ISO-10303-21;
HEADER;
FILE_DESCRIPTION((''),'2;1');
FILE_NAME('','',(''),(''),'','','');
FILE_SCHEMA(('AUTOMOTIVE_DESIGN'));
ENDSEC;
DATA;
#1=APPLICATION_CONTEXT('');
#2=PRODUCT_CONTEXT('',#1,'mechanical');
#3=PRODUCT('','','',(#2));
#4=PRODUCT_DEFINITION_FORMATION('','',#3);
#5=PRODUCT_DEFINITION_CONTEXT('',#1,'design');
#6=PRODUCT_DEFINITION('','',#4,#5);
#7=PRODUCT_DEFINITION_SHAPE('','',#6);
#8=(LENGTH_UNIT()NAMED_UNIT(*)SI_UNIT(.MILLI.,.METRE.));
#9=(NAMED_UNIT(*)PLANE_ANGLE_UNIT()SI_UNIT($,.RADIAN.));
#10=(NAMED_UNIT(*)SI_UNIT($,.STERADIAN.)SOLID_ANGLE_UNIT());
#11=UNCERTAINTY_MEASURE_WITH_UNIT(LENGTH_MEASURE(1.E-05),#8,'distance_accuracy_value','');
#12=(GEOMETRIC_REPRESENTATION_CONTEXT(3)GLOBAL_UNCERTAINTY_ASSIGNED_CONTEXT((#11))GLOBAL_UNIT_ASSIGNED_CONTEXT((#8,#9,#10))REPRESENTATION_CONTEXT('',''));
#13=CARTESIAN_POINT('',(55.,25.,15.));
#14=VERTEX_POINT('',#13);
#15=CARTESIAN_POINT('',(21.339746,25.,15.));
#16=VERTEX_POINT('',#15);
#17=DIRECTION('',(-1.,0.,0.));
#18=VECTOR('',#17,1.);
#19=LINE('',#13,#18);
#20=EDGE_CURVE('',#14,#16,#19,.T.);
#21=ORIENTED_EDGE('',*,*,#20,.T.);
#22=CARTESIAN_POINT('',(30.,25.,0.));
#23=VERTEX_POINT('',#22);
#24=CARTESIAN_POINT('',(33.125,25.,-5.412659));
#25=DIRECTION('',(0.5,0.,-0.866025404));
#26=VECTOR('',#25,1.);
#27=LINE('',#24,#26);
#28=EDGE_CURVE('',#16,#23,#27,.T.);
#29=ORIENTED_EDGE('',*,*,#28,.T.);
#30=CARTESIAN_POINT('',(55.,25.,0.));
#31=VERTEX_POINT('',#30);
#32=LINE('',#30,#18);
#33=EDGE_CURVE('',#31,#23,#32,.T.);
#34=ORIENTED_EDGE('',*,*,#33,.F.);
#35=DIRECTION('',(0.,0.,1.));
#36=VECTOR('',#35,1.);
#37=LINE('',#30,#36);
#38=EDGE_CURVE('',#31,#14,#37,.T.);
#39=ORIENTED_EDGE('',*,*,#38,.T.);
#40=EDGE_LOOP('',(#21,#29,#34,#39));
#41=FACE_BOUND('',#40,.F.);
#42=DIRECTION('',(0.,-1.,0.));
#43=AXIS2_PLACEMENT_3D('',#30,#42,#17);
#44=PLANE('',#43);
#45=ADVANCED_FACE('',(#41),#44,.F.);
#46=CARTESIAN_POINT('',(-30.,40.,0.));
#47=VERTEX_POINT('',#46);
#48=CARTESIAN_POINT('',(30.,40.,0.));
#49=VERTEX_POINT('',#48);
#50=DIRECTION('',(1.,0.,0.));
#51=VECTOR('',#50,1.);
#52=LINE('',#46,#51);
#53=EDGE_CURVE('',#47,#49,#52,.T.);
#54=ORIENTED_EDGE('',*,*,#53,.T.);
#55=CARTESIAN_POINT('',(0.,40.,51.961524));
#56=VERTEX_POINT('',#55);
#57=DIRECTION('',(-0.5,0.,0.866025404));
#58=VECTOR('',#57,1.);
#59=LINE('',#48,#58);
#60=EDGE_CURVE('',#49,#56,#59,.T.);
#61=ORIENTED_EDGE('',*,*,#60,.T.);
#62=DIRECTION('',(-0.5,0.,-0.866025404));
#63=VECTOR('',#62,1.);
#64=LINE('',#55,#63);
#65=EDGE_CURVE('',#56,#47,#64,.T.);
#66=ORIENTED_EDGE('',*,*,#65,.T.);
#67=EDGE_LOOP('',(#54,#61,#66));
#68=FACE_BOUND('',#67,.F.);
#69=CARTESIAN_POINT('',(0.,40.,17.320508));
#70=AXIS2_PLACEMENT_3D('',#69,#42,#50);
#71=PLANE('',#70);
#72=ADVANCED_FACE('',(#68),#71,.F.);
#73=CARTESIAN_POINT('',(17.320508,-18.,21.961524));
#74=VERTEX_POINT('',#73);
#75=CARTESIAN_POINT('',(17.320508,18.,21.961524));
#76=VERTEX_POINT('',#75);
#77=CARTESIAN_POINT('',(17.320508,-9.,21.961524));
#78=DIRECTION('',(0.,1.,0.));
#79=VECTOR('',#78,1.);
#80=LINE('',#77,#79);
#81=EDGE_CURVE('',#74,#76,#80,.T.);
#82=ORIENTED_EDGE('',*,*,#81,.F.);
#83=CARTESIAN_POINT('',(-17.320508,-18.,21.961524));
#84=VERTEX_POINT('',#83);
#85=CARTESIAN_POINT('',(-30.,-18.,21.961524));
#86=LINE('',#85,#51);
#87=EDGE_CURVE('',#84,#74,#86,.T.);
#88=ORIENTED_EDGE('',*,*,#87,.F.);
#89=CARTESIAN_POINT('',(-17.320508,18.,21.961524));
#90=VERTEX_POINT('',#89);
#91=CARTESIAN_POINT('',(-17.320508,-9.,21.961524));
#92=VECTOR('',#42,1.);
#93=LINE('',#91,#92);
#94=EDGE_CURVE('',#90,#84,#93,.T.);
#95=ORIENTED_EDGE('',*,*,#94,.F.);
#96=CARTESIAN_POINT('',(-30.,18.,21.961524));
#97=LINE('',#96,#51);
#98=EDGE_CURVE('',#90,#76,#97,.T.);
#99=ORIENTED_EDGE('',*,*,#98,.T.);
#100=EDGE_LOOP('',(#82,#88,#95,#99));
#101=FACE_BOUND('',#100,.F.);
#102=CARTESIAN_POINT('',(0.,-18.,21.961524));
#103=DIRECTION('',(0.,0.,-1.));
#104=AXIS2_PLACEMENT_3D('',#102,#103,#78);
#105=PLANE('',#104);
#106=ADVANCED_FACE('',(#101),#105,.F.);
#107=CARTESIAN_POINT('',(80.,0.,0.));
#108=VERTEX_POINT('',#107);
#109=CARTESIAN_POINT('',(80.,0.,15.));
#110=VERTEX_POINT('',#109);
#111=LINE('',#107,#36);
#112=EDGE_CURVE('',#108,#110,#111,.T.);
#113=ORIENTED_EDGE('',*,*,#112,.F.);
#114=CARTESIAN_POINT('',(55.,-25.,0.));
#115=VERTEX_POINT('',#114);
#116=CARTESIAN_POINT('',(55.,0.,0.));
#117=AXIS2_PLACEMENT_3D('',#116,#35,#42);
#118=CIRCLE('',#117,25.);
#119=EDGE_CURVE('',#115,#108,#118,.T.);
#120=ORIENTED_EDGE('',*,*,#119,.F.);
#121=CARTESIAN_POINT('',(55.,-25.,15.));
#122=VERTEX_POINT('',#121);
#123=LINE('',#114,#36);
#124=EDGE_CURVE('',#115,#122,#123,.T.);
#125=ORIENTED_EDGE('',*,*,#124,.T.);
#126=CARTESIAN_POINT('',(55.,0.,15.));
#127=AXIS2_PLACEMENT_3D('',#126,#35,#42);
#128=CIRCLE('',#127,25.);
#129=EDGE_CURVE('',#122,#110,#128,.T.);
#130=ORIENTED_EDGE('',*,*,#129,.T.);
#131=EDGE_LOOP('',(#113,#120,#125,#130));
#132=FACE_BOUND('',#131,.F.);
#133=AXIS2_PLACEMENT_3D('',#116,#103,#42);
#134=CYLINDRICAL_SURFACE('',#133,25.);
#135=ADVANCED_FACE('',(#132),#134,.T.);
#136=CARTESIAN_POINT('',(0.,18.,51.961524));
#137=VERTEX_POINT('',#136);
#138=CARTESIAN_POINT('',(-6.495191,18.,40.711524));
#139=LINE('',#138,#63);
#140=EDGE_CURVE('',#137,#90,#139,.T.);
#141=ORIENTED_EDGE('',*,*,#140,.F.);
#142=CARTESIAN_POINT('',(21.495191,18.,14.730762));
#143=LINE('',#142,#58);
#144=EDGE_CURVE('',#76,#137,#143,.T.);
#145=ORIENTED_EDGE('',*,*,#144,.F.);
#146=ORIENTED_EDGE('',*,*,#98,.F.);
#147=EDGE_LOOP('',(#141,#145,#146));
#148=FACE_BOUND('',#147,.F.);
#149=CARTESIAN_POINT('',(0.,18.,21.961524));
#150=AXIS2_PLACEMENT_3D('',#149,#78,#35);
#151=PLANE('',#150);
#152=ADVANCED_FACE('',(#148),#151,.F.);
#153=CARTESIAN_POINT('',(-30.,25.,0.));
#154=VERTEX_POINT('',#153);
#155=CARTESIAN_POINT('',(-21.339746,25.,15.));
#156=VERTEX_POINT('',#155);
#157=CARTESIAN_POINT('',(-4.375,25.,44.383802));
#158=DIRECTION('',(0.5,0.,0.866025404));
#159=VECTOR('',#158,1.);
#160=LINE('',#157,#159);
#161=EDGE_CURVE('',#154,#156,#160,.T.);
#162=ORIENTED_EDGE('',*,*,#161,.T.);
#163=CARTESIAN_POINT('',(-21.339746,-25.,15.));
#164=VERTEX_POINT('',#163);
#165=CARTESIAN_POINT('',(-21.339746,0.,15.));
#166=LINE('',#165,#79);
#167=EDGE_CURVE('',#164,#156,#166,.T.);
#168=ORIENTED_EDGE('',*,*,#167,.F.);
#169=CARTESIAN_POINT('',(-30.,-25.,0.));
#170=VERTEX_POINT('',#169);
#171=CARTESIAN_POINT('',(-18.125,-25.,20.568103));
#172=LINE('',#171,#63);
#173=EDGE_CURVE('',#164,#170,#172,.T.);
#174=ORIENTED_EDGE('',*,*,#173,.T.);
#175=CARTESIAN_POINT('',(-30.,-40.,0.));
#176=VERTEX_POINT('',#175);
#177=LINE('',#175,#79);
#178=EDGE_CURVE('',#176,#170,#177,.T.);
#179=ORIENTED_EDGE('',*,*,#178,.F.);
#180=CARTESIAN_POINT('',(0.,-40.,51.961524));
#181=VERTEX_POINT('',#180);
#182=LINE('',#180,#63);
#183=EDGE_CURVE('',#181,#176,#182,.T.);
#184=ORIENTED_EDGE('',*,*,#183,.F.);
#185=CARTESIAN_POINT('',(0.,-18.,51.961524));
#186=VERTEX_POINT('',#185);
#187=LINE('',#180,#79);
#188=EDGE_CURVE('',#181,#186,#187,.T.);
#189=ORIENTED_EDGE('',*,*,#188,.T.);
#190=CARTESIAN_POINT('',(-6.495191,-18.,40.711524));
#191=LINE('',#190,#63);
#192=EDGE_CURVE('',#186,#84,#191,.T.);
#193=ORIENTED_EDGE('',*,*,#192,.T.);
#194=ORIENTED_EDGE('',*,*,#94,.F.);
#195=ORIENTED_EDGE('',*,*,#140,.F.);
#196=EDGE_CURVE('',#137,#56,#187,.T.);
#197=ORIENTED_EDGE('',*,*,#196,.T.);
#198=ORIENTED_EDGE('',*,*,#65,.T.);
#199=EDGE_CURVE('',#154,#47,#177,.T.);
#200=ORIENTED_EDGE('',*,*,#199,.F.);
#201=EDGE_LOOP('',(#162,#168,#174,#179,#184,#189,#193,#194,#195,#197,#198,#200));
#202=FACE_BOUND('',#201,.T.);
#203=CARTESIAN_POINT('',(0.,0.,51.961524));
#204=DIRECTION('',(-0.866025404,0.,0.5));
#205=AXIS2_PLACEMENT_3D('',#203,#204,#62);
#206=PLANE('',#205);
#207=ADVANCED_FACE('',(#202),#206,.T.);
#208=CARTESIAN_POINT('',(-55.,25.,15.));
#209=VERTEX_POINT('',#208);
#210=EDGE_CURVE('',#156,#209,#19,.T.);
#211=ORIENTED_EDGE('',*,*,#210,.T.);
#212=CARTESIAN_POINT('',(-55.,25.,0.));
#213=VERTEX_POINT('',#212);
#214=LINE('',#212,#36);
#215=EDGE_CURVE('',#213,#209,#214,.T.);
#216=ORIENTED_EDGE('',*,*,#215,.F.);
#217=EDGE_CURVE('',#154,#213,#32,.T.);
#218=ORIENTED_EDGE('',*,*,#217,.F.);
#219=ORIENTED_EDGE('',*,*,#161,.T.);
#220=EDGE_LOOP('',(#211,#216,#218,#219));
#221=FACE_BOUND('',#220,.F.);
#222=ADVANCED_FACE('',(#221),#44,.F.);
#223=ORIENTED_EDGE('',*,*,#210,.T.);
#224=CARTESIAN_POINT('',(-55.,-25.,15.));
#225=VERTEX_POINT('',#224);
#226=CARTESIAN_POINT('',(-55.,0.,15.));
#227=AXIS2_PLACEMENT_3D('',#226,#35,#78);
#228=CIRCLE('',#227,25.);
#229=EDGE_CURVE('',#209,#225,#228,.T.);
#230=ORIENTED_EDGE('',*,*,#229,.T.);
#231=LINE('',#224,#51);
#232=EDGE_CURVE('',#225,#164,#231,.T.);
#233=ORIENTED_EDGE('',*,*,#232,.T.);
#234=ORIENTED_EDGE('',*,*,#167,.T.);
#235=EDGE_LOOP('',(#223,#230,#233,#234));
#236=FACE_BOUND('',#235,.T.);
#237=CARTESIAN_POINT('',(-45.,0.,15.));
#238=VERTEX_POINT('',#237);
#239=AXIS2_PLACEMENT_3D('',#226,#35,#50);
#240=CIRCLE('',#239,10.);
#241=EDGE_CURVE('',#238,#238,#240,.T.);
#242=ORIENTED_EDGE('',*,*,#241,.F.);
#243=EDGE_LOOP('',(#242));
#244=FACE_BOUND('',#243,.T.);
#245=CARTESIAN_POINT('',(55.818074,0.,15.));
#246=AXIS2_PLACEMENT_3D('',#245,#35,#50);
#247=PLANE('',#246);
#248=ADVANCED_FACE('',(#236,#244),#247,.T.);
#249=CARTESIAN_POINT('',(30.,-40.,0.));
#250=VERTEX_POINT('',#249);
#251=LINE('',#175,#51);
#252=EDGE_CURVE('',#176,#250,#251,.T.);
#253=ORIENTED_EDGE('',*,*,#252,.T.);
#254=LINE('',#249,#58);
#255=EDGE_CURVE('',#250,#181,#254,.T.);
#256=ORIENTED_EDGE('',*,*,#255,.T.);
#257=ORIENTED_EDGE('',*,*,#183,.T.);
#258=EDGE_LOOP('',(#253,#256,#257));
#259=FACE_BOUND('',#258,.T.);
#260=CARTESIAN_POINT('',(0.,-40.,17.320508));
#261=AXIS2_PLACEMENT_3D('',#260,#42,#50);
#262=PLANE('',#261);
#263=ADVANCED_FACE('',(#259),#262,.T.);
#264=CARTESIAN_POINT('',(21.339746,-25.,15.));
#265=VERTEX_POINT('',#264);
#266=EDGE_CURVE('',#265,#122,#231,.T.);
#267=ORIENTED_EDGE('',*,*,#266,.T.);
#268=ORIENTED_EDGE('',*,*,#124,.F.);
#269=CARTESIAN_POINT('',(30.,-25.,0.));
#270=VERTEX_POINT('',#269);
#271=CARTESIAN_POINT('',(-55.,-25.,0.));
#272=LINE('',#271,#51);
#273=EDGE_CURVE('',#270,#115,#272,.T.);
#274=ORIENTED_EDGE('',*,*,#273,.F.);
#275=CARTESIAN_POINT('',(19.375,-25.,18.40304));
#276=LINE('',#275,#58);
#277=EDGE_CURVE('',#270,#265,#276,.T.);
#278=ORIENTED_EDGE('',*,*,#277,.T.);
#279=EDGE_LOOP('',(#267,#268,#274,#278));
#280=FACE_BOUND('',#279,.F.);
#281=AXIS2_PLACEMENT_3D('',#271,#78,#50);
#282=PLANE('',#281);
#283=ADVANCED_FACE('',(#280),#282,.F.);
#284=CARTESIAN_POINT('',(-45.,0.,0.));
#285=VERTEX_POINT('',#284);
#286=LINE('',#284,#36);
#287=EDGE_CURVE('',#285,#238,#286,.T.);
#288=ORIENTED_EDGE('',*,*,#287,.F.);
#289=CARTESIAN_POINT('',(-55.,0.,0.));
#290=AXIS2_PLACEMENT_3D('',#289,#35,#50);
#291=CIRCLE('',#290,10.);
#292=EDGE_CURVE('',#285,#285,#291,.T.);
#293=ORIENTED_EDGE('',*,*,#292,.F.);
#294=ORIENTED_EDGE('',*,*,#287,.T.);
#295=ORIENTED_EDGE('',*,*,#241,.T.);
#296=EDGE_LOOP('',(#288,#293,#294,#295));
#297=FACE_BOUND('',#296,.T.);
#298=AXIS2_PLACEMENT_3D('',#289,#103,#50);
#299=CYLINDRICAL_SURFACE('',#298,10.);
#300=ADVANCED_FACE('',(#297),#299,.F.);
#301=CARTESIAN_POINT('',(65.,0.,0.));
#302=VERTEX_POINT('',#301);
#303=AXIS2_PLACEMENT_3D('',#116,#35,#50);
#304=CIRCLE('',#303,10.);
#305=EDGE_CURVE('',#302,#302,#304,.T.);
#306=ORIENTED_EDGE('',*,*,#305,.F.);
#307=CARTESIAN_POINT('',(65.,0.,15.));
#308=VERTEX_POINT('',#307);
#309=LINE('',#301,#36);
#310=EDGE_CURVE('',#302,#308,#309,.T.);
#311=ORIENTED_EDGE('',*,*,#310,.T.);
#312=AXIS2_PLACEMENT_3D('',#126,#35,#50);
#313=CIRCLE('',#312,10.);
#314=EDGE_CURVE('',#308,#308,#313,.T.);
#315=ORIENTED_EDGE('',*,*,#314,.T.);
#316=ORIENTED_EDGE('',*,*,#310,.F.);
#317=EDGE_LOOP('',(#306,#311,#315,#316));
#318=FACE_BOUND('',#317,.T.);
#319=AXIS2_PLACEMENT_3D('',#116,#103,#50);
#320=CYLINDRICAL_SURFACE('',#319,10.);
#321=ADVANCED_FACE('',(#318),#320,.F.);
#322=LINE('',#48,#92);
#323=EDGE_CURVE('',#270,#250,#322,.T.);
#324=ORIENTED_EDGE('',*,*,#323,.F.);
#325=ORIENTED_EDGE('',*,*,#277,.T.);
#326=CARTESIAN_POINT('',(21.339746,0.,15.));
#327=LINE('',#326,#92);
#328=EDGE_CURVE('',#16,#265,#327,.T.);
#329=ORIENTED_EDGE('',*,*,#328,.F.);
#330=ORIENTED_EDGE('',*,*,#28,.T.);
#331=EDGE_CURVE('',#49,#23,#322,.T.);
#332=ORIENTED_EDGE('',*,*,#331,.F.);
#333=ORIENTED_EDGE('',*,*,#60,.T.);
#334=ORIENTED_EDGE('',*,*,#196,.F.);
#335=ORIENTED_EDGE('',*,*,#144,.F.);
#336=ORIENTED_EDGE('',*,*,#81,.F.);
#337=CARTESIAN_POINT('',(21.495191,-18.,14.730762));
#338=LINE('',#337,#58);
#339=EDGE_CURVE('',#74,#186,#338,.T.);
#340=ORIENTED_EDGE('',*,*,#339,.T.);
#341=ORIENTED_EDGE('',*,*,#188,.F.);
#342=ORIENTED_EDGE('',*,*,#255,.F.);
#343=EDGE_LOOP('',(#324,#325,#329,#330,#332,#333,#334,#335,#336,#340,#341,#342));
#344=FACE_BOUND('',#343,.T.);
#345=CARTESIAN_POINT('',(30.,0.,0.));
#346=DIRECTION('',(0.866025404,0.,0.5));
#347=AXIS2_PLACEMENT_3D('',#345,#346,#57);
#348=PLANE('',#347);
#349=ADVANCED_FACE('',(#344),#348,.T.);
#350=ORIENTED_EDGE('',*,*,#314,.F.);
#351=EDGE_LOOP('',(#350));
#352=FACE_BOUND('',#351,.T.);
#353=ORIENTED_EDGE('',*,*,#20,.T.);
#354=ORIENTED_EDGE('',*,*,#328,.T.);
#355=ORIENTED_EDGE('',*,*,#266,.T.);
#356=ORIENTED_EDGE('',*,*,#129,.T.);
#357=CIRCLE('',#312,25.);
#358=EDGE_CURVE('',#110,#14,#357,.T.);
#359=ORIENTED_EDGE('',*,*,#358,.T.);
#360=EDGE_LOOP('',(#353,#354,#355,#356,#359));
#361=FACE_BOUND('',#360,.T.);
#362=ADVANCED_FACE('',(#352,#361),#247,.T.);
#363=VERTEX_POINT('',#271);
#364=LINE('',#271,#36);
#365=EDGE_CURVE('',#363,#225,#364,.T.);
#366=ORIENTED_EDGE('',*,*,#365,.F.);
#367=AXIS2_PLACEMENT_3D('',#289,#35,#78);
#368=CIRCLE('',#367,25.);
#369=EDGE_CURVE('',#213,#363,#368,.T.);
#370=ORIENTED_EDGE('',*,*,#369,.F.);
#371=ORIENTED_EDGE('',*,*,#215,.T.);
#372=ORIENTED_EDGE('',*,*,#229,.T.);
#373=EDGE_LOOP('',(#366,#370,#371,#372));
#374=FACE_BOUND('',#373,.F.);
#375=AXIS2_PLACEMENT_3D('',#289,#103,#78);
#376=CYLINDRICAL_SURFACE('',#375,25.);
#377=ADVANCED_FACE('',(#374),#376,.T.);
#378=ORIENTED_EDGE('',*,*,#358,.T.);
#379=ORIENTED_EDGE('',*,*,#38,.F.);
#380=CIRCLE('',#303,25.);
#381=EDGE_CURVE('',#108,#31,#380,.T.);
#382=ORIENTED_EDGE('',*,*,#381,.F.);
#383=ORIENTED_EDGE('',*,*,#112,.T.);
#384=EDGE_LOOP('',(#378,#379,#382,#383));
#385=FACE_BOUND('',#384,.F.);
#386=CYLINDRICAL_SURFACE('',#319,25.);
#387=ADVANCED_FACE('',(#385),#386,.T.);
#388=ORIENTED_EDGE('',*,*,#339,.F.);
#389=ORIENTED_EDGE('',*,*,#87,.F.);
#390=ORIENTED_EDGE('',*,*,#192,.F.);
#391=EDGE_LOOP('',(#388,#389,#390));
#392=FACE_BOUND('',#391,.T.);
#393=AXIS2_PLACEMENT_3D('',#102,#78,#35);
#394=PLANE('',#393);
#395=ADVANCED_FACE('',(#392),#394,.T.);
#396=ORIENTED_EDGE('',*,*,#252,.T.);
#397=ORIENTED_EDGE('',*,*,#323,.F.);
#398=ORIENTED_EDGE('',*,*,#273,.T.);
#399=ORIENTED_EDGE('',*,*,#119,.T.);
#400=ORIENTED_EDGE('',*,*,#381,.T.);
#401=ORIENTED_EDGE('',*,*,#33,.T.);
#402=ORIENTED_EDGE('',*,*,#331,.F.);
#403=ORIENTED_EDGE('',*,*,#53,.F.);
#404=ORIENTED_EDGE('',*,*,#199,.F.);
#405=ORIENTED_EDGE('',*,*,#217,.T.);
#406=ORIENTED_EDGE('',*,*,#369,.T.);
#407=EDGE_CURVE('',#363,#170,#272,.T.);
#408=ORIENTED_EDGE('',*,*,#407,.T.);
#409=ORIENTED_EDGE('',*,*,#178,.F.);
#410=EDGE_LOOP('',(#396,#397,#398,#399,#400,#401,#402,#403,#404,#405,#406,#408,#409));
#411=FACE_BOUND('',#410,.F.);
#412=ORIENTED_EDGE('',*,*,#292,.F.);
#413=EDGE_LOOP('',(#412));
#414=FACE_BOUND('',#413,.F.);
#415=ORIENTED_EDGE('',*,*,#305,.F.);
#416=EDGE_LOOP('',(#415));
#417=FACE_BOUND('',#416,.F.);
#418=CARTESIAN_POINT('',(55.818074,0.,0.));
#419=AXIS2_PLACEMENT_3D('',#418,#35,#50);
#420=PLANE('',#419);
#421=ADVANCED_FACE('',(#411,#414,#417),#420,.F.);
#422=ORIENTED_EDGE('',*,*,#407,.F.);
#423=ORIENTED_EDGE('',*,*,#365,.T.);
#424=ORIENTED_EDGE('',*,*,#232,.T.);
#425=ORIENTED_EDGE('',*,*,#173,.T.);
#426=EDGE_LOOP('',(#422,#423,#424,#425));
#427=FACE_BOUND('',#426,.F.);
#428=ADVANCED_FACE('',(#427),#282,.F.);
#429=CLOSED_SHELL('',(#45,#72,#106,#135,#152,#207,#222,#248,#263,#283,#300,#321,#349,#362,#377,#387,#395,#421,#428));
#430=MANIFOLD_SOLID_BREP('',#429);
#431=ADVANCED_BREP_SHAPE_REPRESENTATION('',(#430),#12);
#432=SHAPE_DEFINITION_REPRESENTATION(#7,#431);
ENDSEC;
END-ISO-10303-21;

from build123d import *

# Parameters (mm, degrees)
F2_DEPTH = 40
F0_R     = 10
F3_DEPTH = 15
F4_W     = 36
F4_H     = 30
F5_DEPTH = 30


with BuildPart() as f2:
    # F1 (on Front) → F2 (new body, symmetric)
    with BuildSketch(Plane.XZ):
        Polygon((-30, 0), (30, 0), (0, 51.9615242271), align=None)
    extrude(amount=F2_DEPTH, both=True)

    # F0 (on Top) → F3 (join)
    with BuildSketch(Plane.XY):
        with BuildLine():
            ThreePointArc((55, -25), (72.6776695297, -17.6776695297), (80, 0))
            ThreePointArc((80, 0), (72.6776695297, 17.6776695297), (55, 25))
            ThreePointArc((55, 25), (30, 0), (55, -25))
        make_face()
        with Locations((55, 0)):
            Circle(F0_R, mode=Mode.SUBTRACT)
        with BuildLine():
            ThreePointArc((55, -25), (30, 0), (55, 25))
            Line((55, 25), (30, 25))
            Line((30, 25), (0, 25))
            Line((0, 25), (-30, 25))
            Line((-30, 25), (-55, 25))
            ThreePointArc((-55, 25), (-37.3223304703, 17.6776695297), (-30, 0))
            ThreePointArc((-30, 0), (-37.3223304703, -17.6776695297), (-55, -25))
            Line((-55, -25), (-30, -25))
            Line((-30, -25), (0, -25))
            Line((0, -25), (30, -25))
            Line((30, -25), (55, -25))
        make_face()
        with BuildLine():
            ThreePointArc((-30, 0), (-37.3223304703, 17.6776695297), (-55, 25))
            ThreePointArc((-55, 25), (-80, 0), (-55, -25))
            ThreePointArc((-55, -25), (-37.3223304703, -17.6776695297), (-30, 0))
        make_face()
        with Locations((-55, 0)):
            Circle(F0_R, mode=Mode.SUBTRACT)
    extrude(amount=F3_DEPTH)

    # F4 (on Right) → F5 (cut, symmetric)
    with BuildSketch(Plane.YZ):
        with Locations((0, 36.9615242271)):
            Rectangle(F4_W, F4_H)
    extrude(amount=F5_DEPTH, both=True, mode=Mode.SUBTRACT)


solid = f2.part
